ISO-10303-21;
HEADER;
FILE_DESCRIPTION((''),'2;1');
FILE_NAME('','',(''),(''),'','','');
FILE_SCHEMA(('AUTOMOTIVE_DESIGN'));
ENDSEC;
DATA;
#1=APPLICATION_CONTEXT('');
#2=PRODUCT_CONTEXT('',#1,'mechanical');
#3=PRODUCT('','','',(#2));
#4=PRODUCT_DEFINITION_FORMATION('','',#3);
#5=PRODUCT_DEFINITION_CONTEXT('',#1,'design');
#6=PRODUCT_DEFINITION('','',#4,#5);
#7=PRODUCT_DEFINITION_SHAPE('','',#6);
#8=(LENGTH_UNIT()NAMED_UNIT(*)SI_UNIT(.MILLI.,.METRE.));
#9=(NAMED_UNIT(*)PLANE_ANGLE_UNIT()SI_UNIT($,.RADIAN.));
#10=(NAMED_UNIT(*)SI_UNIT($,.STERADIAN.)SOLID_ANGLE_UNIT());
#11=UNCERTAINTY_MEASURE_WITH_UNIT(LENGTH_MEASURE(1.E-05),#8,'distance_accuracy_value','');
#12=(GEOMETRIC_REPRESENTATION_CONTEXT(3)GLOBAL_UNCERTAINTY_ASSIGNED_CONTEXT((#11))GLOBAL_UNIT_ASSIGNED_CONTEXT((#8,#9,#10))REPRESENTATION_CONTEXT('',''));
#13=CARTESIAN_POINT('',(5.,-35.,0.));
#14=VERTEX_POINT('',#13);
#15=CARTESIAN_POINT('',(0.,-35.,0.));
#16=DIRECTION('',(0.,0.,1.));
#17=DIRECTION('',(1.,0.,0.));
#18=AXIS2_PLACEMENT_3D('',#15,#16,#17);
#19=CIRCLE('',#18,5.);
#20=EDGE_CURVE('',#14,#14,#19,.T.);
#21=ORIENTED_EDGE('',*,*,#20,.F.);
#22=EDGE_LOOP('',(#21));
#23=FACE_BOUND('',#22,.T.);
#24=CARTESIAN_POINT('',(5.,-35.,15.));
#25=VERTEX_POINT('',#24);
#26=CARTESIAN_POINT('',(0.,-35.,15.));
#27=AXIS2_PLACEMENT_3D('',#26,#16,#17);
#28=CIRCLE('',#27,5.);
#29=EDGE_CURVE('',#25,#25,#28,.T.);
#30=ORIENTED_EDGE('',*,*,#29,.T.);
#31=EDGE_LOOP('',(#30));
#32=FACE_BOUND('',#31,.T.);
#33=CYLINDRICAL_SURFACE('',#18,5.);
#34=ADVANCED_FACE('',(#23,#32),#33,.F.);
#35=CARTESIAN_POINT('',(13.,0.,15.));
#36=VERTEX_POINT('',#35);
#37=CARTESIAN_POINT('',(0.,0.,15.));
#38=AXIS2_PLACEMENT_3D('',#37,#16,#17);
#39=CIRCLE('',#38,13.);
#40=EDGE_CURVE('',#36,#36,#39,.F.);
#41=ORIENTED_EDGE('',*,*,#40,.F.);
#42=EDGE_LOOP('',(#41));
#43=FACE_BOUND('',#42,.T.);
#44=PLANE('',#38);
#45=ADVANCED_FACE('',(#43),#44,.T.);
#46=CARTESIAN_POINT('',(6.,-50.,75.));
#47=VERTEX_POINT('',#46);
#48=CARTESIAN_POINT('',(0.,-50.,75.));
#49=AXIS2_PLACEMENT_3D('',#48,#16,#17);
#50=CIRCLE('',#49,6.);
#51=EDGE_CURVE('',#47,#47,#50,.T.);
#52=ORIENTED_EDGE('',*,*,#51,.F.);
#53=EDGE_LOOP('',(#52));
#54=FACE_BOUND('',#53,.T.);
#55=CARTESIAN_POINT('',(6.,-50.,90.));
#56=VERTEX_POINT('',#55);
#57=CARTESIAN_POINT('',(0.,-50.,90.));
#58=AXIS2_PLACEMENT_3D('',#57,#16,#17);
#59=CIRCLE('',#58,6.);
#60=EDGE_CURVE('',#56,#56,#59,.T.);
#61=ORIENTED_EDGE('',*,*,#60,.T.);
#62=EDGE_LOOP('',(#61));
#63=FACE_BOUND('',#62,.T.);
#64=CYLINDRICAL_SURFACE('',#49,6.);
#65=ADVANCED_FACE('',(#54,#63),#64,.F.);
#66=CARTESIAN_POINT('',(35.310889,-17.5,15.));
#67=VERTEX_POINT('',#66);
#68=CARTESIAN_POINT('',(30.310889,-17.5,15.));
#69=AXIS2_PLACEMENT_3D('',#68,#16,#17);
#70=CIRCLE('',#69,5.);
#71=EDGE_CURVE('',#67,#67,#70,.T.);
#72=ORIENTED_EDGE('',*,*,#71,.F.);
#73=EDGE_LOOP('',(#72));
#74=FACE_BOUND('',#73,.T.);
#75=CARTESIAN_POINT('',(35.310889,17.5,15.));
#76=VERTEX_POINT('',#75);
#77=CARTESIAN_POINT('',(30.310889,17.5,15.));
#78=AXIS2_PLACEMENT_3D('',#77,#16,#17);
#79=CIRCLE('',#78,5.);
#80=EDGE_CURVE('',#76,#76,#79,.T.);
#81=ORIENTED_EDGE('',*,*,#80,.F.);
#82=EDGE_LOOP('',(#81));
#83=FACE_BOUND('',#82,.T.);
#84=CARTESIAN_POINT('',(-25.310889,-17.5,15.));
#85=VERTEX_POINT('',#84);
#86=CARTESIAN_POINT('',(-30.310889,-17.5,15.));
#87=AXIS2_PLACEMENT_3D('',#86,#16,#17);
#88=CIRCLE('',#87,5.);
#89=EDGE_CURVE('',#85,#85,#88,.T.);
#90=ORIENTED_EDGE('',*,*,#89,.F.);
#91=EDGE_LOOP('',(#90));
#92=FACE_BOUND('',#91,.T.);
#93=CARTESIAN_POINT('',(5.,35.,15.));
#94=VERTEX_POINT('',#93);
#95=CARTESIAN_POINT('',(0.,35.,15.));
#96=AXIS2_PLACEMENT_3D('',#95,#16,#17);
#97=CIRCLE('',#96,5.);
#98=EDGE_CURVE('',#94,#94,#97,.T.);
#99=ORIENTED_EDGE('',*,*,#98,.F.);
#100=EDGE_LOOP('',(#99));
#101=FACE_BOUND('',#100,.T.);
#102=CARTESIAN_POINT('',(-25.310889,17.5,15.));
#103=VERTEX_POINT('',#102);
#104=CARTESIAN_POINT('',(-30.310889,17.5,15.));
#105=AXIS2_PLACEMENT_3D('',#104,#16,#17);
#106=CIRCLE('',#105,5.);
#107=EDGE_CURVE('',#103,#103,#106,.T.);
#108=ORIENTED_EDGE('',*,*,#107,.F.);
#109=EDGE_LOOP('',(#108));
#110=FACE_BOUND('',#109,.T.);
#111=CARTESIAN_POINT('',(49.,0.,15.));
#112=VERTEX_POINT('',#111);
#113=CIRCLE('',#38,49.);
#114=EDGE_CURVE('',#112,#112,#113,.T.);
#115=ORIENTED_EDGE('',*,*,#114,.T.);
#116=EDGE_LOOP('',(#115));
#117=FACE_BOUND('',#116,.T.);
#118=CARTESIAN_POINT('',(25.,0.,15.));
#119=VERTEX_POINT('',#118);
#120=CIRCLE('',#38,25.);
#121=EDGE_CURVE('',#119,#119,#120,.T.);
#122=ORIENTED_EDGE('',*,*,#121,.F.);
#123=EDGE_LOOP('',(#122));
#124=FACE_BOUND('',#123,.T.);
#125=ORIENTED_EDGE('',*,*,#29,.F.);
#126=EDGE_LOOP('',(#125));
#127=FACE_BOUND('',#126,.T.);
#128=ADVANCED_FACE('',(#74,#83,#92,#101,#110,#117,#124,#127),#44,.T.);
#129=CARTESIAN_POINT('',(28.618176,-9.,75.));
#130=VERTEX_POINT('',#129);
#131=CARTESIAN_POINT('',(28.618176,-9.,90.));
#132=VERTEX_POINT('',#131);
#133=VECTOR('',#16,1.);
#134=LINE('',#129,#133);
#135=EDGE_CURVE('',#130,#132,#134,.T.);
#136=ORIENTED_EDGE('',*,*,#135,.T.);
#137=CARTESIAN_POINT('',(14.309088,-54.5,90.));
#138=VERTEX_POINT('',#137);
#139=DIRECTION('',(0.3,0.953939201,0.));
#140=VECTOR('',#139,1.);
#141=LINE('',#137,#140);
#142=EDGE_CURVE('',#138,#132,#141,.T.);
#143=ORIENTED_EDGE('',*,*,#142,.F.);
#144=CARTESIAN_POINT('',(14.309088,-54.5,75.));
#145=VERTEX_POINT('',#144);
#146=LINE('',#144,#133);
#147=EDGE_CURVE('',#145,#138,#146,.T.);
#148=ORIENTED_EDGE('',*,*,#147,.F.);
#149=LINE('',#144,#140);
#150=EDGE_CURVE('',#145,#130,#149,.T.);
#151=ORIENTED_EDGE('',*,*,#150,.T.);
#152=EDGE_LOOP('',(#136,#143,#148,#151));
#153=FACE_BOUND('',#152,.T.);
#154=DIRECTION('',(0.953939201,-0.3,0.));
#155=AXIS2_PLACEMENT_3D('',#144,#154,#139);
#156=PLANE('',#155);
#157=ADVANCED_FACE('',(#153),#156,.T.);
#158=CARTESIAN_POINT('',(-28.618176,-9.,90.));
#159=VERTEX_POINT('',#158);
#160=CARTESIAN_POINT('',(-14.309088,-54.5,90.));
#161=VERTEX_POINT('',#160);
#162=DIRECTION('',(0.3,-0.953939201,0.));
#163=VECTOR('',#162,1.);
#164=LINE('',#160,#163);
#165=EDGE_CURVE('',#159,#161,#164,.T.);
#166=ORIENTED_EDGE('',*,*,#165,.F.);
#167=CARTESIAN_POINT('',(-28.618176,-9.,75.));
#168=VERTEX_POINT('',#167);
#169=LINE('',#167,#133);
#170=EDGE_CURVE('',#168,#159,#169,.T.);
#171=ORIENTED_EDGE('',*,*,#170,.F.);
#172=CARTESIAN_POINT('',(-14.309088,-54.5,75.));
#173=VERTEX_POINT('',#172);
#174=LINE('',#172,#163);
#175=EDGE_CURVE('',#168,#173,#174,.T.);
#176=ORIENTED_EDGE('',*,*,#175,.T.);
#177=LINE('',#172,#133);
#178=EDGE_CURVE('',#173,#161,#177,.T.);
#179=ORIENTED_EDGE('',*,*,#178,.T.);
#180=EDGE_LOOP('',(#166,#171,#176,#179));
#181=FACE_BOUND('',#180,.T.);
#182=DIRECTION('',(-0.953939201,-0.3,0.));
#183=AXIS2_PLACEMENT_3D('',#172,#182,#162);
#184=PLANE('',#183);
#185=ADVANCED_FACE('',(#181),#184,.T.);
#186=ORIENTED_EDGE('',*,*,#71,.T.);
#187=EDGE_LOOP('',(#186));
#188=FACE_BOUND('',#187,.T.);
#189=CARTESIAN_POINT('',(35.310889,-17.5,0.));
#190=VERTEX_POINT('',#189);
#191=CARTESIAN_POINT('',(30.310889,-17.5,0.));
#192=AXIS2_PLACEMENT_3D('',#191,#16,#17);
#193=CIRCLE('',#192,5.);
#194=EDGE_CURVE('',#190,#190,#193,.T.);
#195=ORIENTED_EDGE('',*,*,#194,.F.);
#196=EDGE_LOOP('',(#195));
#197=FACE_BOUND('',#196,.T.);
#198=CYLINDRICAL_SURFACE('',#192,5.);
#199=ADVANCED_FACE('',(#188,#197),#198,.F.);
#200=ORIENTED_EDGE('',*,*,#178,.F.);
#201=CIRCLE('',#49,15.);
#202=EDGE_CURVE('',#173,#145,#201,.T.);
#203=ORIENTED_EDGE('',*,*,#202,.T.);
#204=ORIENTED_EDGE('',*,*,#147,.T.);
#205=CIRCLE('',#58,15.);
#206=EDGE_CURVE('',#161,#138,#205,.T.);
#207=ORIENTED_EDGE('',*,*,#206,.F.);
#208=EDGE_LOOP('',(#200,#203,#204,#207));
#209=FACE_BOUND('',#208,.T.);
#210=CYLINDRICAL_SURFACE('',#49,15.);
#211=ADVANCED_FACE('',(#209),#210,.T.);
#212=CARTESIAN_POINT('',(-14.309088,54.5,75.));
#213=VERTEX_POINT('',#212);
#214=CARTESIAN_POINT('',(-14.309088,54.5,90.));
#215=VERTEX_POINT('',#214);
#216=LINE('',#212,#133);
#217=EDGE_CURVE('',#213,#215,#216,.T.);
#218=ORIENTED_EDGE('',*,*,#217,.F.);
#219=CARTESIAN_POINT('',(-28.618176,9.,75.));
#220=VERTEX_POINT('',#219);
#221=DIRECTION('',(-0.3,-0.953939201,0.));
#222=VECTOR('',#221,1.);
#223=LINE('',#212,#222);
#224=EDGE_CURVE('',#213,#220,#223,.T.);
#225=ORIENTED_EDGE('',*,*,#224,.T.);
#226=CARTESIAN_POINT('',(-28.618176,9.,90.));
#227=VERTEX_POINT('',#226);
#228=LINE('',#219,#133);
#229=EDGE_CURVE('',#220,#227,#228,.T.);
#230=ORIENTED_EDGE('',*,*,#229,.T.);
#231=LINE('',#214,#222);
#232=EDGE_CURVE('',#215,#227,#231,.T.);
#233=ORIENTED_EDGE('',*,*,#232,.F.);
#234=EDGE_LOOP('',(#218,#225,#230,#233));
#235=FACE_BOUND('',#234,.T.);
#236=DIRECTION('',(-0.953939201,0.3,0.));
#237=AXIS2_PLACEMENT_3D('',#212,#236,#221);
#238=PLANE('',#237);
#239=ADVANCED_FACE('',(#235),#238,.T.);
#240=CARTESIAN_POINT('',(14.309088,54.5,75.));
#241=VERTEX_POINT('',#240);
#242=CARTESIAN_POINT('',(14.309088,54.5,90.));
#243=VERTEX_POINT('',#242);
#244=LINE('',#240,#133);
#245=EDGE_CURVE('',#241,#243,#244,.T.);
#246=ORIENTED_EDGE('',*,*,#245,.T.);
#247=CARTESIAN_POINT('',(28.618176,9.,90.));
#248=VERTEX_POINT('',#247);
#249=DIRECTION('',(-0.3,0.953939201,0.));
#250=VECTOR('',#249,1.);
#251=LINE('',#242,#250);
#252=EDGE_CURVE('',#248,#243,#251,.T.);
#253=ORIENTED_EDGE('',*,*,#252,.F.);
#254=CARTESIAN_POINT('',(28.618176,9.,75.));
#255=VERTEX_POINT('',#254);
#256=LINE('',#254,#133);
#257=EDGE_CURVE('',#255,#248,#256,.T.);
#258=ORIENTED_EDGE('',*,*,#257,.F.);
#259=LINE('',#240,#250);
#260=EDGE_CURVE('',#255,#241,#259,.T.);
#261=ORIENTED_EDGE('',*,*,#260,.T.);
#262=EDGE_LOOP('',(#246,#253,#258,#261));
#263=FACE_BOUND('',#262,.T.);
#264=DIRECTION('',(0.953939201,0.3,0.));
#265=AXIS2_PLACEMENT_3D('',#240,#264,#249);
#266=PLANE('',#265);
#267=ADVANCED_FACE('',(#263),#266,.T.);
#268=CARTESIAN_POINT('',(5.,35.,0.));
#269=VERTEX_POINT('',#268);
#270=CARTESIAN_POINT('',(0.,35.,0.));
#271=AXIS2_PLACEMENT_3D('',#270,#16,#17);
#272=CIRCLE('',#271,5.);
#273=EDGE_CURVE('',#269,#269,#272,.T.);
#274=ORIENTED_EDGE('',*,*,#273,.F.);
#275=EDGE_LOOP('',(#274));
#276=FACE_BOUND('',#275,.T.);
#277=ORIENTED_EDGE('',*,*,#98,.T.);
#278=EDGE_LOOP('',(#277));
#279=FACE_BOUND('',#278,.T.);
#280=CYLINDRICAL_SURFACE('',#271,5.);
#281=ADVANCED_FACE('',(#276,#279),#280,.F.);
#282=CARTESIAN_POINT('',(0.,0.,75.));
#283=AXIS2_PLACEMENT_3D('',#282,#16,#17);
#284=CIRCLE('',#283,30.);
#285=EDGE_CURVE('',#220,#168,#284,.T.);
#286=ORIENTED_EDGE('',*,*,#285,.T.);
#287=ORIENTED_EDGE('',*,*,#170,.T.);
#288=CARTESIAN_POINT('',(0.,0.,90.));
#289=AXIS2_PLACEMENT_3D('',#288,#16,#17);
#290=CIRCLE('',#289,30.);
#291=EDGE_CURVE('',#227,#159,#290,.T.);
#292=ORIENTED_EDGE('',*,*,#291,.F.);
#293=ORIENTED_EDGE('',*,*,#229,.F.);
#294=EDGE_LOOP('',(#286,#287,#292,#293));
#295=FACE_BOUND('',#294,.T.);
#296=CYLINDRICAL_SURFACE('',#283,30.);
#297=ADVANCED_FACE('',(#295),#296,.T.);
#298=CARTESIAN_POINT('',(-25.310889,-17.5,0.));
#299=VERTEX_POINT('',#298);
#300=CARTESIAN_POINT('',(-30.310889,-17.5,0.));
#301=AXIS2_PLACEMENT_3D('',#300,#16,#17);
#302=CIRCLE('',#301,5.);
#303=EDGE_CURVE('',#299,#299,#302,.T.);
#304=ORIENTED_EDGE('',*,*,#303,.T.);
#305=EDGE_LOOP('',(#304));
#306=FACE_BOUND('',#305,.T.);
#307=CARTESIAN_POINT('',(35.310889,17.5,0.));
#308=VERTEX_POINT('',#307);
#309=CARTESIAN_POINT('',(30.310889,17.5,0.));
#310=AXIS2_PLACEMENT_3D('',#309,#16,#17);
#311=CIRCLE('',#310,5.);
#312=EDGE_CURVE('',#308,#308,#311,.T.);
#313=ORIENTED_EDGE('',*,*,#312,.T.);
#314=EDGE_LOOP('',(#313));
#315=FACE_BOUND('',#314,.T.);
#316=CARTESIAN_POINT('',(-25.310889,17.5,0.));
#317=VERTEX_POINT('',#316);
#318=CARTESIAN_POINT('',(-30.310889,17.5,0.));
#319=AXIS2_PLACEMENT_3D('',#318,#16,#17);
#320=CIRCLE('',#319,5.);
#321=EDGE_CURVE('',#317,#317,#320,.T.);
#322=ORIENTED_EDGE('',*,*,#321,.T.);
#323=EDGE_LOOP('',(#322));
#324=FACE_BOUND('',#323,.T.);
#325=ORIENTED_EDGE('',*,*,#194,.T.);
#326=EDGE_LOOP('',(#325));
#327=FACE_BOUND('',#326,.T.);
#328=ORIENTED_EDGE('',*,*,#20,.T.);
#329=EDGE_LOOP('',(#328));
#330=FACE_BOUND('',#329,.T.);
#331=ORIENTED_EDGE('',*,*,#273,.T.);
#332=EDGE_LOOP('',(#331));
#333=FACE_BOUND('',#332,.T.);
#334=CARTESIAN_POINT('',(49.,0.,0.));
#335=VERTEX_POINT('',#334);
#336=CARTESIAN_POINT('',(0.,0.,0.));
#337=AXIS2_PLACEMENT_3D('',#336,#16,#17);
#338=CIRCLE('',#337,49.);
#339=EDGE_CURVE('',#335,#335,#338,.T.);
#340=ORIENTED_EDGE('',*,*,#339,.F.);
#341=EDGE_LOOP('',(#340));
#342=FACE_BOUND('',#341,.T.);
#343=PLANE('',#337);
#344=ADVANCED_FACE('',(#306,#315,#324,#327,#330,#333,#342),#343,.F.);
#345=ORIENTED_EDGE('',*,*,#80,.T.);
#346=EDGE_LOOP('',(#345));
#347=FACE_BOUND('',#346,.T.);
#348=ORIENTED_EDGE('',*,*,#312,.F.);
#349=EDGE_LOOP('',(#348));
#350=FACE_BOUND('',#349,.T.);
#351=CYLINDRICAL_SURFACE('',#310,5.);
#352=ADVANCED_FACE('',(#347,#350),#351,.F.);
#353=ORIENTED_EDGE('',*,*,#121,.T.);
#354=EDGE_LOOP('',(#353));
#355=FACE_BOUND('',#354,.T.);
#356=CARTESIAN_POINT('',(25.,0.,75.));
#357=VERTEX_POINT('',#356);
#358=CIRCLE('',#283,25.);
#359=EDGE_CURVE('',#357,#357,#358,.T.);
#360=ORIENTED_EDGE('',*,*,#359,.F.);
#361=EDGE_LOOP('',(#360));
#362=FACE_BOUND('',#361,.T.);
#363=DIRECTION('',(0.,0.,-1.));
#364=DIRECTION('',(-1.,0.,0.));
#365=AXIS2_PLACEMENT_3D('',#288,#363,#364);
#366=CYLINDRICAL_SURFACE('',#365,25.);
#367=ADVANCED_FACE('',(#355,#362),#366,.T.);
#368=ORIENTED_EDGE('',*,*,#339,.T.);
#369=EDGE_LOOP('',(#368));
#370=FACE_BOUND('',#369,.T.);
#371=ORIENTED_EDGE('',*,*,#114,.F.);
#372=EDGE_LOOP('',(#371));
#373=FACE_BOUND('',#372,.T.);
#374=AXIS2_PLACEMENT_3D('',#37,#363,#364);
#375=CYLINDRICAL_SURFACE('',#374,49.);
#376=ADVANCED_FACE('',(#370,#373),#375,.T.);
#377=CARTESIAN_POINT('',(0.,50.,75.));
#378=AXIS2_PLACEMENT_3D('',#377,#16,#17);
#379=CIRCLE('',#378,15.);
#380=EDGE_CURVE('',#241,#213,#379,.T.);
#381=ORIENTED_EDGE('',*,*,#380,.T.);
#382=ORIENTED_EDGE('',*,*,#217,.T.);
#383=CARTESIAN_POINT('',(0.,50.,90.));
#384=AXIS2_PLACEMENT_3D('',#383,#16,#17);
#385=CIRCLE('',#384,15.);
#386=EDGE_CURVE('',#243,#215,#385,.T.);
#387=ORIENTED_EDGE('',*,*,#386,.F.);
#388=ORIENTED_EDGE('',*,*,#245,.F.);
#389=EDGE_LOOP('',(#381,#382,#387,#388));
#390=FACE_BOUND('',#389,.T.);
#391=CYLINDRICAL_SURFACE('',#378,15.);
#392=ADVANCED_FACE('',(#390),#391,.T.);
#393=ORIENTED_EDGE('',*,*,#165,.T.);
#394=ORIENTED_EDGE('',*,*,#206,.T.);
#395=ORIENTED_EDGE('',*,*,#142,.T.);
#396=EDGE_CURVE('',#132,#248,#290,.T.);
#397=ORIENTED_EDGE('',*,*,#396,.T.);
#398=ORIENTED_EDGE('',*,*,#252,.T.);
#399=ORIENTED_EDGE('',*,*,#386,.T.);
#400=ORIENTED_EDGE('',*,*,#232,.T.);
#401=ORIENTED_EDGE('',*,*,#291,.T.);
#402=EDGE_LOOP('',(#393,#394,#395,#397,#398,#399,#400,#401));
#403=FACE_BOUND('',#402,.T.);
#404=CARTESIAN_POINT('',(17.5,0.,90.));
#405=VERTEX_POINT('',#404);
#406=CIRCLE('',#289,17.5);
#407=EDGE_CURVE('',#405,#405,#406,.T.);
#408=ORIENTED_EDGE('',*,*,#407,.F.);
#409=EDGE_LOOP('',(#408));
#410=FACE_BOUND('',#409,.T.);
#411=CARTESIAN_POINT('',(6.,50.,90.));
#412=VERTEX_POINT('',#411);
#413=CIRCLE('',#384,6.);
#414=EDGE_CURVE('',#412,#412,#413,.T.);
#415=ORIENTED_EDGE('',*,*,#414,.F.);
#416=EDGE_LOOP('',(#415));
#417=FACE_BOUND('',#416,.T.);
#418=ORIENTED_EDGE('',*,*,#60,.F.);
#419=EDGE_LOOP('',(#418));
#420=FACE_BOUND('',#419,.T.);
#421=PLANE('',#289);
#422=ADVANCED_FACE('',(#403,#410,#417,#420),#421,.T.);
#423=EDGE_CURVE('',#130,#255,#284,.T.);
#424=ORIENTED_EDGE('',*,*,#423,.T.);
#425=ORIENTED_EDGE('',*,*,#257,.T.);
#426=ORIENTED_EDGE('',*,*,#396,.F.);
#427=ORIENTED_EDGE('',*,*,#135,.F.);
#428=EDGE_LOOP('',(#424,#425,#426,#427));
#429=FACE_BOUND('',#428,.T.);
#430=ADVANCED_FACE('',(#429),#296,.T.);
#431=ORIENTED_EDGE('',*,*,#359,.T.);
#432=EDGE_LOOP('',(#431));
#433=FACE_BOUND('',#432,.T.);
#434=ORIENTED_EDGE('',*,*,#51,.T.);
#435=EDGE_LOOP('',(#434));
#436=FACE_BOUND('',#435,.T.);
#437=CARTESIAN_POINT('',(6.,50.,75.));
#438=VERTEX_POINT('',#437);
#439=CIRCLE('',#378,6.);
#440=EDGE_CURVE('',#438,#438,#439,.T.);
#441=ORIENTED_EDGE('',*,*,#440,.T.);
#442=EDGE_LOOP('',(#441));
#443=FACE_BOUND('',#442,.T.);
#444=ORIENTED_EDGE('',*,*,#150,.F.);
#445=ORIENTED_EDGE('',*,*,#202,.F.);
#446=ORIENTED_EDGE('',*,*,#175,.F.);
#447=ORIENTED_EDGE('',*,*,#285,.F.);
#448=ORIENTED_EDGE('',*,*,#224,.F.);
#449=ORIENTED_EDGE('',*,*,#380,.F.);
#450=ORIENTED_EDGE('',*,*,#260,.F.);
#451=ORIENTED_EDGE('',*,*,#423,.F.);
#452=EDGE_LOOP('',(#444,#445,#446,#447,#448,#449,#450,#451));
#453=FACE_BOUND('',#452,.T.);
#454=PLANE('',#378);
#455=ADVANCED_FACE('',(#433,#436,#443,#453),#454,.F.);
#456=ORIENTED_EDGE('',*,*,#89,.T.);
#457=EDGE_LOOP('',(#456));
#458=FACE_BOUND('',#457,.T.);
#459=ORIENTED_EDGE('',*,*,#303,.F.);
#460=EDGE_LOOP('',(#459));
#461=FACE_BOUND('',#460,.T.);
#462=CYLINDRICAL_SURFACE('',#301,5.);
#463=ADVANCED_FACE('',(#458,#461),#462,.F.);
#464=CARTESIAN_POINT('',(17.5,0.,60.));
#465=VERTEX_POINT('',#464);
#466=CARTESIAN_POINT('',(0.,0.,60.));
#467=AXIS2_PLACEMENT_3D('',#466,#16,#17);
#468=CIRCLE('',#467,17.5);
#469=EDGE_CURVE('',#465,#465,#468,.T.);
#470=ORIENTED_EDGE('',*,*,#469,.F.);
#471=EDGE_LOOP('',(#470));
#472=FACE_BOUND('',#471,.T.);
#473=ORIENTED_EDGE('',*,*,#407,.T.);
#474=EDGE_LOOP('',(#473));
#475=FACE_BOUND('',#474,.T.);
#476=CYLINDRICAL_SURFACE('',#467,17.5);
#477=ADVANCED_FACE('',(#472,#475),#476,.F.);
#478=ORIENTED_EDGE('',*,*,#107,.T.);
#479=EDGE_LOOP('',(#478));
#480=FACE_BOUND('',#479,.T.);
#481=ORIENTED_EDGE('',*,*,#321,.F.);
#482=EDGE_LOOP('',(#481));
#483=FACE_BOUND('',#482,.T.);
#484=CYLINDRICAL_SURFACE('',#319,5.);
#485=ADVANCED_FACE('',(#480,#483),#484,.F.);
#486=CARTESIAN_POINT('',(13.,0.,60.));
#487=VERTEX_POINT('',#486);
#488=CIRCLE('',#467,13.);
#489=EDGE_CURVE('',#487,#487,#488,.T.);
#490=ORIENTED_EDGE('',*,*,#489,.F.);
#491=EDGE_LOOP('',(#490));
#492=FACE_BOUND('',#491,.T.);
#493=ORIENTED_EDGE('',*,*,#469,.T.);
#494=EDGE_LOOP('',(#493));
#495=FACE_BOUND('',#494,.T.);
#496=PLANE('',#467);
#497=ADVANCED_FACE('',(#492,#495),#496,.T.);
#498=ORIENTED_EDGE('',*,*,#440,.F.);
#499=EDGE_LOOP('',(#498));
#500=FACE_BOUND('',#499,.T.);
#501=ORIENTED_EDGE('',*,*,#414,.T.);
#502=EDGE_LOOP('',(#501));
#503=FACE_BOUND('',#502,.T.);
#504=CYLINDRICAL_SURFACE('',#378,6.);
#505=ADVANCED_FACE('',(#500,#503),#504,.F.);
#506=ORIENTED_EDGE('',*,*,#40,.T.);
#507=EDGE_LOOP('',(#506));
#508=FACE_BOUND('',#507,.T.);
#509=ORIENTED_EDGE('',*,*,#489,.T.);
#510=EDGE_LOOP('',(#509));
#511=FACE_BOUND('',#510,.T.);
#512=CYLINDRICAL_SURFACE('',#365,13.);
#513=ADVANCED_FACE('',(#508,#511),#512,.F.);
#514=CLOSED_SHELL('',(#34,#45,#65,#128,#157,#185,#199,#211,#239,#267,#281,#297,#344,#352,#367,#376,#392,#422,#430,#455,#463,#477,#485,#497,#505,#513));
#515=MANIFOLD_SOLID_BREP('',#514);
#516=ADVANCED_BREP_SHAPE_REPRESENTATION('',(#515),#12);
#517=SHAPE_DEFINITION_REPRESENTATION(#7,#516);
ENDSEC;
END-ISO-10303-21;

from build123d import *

# Parameters (mm, degrees)
CROQUIS1_R              = 49
SALIENTE_EXTRUIR1_DEPTH = 15
CROQUIS2_R              = 5
CORTAR_EXTRUIR1_DEPTH   = 71.901339903
CROQUIS3_R              = 25
CROQUIS3_R_2            = 13
SALIENTE_EXTRUIR2_DEPTH = 75
CROQUIS4_R              = 6
SALIENTE_EXTRUIR3_DEPTH = 15
CROQUIS5_R              = 17.5
CORTAR_EXTRUIR2_DEPTH   = 30


with BuildPart() as part:
    # Croquis1 → Saliente-Extruir1 (new body)
    with BuildSketch(Plane.XY):
        Circle(CROQUIS1_R)
    extrude(amount=SALIENTE_EXTRUIR1_DEPTH)

    # Croquis2 → Cortar-Extruir1 (cut, through all)
    with BuildSketch(Plane.XY.offset(15)):
        with Locations((0, 35)):
            Circle(CROQUIS2_R)
        with Locations((30.310889132, 17.5)):
            Circle(CROQUIS2_R)
        with Locations((30.310889132, -17.5)):
            Circle(CROQUIS2_R)
        with Locations((0, -35)):
            Circle(CROQUIS2_R)
        with Locations((-30.310889132, -17.5)):
            Circle(CROQUIS2_R)
        with Locations((-30.310889132, 17.5)):
            Circle(CROQUIS2_R)
    extrude(amount=-CORTAR_EXTRUIR1_DEPTH, mode=Mode.SUBTRACT)

    # Croquis3 → Saliente-Extruir2 (add)
    with BuildSketch(Plane.XY.offset(15)):
        Circle(CROQUIS3_R)
        Circle(CROQUIS3_R_2, mode=Mode.SUBTRACT)
    extrude(amount=SALIENTE_EXTRUIR2_DEPTH)

    # Croquis4 → Saliente-Extruir3 (add)
    with BuildSketch(Plane.XY.offset(90)):
        with BuildLine():
            Line((14.309088021, 54.5), (28.618176043, 9))
            ThreePointArc((28.618176043, 9), (30, 0), (28.618176043, -9))
            Line((28.618176043, -9), (14.309088021, -54.5))
            ThreePointArc((14.309088021, -54.5), (0, -65), (-14.309088021, -54.5))
            Line((-14.309088021, -54.5), (-28.618176043, -9))
            ThreePointArc((-28.618176043, -9), (-30, 0), (-28.618176043, 9))
            Line((-28.618176043, 9), (-14.309088021, 54.5))
            ThreePointArc((-14.309088021, 54.5), (0, 65), (14.309088021, 54.5))
        make_face()
        with Locations((0, 50)):
            Circle(CROQUIS4_R, mode=Mode.SUBTRACT)
        with Locations((0, -50)):
            Circle(CROQUIS4_R, mode=Mode.SUBTRACT)
    extrude(amount=-SALIENTE_EXTRUIR3_DEPTH)

    # Croquis5 → Cortar-Extruir2 (cut)
    with BuildSketch(Plane.XY.offset(90)):
        Circle(CROQUIS5_R)
    extrude(amount=-CORTAR_EXTRUIR2_DEPTH, mode=Mode.SUBTRACT)


solid = part.part
